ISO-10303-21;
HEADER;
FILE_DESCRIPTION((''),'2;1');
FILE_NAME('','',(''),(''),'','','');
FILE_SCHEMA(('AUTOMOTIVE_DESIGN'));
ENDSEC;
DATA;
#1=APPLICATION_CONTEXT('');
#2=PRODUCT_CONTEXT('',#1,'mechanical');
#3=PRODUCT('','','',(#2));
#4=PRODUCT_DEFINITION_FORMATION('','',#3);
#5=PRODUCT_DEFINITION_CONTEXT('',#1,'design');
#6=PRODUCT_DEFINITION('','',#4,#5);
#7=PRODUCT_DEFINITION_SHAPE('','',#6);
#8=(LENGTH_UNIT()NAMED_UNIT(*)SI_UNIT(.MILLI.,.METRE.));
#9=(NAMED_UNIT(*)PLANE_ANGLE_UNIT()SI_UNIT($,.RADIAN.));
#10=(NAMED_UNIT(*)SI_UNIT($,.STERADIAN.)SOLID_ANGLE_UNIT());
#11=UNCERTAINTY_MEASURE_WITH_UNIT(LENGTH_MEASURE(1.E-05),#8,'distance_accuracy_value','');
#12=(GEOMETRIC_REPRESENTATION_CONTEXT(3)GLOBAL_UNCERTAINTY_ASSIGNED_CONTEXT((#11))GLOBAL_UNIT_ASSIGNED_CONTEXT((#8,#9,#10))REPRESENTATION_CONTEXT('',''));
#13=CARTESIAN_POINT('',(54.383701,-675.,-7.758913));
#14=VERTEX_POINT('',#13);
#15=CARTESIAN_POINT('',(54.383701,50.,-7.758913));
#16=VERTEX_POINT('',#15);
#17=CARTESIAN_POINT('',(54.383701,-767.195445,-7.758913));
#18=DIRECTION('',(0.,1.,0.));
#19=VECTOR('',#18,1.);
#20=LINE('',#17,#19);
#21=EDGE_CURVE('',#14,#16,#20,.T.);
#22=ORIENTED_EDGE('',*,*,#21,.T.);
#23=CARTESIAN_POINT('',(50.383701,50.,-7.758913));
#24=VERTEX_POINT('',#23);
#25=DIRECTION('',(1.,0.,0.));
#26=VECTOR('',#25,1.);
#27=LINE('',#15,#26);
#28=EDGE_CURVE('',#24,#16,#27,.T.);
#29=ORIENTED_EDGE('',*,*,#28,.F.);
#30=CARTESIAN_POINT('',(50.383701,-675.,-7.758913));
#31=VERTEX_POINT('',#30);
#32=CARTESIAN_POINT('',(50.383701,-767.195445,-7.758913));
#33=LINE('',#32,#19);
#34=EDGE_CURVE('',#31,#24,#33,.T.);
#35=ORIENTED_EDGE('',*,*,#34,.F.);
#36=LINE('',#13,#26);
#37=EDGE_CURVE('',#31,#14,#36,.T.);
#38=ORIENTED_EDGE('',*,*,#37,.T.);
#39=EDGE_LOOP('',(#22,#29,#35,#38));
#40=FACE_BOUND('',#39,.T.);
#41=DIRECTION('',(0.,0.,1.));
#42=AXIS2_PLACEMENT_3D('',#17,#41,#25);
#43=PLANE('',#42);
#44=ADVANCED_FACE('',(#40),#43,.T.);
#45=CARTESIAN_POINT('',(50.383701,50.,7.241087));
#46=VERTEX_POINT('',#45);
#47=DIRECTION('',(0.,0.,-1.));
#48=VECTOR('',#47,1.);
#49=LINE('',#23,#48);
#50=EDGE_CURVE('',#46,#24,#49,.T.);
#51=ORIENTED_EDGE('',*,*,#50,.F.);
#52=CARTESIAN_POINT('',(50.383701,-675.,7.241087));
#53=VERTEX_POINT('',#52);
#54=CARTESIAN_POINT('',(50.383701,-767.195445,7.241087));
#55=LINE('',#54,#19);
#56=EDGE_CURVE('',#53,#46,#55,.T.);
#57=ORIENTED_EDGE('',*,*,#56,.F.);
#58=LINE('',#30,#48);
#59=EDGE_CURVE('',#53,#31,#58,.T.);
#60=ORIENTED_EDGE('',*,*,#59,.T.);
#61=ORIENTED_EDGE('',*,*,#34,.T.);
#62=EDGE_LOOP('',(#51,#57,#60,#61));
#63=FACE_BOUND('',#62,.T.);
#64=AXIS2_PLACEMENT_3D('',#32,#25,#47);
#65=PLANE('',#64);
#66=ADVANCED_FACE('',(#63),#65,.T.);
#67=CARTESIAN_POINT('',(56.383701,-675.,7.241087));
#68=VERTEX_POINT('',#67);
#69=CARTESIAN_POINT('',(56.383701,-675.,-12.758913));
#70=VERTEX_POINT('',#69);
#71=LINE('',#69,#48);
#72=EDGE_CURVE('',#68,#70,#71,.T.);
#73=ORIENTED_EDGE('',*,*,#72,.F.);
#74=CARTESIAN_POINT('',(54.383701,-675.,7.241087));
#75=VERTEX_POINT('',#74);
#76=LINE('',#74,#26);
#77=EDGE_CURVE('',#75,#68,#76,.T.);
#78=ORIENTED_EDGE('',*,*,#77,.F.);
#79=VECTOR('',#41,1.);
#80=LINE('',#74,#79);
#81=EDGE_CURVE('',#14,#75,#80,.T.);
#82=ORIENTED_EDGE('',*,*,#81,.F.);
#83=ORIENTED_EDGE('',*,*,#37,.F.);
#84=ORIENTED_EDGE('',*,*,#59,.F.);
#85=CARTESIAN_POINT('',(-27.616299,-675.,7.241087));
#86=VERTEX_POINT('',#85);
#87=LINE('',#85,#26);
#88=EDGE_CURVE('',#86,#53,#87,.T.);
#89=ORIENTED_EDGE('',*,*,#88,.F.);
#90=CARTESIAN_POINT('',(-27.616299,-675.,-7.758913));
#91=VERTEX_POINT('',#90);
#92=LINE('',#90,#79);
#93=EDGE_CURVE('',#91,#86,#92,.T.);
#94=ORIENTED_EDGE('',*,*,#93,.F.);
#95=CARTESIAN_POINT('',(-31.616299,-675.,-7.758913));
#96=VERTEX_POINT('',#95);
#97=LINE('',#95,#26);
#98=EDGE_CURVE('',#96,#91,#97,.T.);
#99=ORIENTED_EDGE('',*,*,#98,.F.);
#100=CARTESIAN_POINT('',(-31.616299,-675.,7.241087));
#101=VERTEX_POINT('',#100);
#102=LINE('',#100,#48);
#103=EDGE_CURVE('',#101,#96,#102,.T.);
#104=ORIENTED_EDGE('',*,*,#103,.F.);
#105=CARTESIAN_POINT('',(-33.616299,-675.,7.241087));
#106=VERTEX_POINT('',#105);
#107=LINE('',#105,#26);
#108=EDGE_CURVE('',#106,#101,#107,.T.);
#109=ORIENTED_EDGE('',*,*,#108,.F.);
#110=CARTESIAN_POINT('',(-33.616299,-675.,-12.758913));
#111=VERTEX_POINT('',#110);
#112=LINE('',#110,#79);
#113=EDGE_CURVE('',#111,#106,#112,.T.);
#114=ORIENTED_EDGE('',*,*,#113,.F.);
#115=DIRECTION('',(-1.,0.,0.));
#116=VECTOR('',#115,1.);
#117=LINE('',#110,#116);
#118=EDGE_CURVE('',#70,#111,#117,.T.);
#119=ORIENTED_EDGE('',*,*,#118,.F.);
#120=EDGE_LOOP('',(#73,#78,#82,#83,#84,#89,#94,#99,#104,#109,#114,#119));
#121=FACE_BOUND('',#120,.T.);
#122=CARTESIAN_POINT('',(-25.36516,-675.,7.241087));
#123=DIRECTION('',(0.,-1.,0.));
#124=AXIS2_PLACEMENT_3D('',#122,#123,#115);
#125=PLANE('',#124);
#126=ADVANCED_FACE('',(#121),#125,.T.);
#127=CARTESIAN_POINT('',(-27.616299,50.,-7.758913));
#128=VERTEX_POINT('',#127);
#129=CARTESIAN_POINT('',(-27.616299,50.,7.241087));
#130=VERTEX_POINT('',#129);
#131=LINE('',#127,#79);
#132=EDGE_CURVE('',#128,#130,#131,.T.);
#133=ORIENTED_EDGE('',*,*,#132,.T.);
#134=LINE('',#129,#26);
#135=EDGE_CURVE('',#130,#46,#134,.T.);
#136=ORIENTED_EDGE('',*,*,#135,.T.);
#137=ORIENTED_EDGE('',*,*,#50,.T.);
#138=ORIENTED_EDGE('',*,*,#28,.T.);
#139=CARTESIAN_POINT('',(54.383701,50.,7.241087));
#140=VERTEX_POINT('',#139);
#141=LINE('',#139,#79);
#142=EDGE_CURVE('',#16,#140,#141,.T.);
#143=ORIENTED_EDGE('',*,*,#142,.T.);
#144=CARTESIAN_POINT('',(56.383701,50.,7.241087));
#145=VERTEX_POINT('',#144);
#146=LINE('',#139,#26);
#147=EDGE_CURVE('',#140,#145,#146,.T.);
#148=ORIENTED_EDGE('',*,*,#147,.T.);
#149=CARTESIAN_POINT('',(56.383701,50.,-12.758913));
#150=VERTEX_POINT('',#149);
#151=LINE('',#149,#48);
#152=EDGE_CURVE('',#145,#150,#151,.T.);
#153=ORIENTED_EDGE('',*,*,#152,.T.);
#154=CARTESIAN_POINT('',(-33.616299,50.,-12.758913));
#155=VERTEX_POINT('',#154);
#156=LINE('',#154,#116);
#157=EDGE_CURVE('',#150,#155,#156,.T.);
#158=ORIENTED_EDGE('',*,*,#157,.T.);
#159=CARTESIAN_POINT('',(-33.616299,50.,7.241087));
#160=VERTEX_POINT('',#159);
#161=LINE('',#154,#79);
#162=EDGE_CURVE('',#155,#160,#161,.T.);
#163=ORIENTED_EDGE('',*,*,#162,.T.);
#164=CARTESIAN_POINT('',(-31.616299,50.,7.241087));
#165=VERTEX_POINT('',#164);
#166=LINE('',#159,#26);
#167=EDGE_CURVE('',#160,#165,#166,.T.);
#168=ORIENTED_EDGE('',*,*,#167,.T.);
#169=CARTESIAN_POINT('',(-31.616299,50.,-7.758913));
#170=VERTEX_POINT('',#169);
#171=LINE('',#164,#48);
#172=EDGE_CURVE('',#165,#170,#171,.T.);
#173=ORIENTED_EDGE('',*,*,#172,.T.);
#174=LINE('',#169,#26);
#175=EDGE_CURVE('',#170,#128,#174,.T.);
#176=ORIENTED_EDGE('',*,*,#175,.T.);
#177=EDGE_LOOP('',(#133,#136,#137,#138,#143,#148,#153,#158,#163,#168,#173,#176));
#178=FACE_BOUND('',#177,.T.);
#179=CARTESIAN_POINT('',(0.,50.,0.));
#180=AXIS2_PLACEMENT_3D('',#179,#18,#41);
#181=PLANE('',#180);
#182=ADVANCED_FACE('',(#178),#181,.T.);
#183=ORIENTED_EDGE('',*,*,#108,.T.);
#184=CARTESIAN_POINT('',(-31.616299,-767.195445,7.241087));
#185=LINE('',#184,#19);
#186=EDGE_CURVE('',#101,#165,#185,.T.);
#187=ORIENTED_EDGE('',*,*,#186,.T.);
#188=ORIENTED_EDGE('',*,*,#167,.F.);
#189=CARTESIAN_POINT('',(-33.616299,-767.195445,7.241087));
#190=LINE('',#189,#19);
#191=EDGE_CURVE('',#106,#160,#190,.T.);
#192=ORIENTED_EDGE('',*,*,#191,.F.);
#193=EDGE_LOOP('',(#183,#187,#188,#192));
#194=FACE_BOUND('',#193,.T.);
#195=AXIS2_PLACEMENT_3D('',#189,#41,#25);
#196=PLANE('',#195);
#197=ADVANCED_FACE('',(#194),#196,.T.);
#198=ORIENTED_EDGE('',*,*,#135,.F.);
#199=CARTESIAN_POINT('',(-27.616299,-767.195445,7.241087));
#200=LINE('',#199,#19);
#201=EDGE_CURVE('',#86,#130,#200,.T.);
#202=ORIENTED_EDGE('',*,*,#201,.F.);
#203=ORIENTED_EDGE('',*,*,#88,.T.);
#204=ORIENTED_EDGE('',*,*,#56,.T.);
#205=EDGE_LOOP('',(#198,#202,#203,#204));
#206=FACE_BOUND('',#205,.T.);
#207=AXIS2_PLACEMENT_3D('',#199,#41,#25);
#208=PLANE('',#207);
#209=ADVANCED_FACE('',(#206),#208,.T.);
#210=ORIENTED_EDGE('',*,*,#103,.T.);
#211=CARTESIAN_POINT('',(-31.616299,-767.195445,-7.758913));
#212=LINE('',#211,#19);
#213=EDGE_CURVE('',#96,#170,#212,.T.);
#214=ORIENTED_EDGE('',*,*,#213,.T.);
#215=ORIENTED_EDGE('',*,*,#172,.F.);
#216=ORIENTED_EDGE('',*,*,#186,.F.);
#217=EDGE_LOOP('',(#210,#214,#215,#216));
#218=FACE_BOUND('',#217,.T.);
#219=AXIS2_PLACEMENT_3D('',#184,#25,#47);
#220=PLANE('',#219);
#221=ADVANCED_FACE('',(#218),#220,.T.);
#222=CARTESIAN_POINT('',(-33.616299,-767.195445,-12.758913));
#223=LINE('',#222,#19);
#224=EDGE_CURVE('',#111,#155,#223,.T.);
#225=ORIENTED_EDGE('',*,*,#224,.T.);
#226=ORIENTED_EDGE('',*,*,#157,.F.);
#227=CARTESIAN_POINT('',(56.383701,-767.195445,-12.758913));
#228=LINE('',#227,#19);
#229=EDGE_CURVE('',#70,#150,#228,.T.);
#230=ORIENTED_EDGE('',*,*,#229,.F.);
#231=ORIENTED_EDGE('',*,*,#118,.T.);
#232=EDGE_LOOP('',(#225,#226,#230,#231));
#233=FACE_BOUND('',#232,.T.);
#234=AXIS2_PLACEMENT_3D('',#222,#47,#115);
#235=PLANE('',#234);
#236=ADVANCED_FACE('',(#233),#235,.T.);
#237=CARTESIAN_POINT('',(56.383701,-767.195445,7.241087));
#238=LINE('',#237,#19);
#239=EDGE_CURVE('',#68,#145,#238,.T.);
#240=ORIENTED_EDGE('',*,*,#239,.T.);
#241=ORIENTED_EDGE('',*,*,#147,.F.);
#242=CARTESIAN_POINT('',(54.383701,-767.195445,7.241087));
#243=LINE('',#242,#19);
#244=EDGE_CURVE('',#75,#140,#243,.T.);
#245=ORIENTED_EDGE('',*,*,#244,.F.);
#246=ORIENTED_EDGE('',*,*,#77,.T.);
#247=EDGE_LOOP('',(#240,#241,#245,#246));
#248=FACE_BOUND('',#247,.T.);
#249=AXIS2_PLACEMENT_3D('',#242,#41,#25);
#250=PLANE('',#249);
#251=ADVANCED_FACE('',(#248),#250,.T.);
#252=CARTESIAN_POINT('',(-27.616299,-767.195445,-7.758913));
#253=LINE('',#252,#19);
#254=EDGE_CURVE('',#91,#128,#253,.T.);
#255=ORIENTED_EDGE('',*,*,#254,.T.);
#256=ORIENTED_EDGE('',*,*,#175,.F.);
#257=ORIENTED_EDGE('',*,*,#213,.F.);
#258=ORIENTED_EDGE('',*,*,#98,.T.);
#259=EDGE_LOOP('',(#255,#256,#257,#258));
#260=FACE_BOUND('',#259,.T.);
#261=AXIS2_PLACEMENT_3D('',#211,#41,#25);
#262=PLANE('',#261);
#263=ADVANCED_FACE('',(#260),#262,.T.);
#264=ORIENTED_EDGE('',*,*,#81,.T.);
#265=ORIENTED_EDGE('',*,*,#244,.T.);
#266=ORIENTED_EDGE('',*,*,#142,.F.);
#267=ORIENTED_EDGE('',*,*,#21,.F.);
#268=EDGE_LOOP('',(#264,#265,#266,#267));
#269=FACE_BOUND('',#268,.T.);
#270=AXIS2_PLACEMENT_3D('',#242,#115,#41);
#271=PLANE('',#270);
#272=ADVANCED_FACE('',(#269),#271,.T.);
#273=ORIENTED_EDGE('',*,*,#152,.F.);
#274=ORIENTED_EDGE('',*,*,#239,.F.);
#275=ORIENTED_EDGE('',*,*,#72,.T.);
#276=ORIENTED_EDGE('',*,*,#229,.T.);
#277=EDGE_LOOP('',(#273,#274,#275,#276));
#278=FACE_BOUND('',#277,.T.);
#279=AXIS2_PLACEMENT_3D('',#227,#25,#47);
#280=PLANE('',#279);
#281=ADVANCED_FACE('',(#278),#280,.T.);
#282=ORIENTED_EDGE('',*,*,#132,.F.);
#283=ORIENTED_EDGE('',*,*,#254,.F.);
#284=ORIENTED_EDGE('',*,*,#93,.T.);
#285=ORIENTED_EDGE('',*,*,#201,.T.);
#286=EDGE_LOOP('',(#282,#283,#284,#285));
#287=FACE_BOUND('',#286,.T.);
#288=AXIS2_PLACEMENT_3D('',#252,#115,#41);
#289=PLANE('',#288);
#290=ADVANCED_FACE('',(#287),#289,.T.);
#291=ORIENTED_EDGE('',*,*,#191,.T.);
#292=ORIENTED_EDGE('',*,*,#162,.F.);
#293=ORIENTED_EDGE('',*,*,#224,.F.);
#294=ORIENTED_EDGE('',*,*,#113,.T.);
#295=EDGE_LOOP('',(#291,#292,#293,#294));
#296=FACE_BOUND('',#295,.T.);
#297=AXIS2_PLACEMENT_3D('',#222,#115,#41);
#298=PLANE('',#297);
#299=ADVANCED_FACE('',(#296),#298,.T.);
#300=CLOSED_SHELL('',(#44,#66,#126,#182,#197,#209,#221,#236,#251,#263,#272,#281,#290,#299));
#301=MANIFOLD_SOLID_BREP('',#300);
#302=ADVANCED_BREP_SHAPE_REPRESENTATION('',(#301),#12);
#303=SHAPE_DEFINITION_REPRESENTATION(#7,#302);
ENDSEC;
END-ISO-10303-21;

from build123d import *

# Parameters (mm, degrees)
EXTRUDE_1_DEPTH      = 50
EXTRUDE_1_DEPTH_BACK = 675


with BuildPart() as part:
    # Эскиз1 → Бобышка-Вытянуть1 (new, two sides: drawn at the far end of the back side and taken through both)
    with BuildSketch(Plane(origin=(0, 0, 0), x_dir=(1, 0, 0), z_dir=(0, 1, 0)).offset(-EXTRUDE_1_DEPTH_BACK)):
        Polygon((-31.616298812, -7.241086587), (-31.616298812, 7.758913413), (-27.616298812, 7.758913413), (-27.616298812, -7.241086587), (50.383701188, -7.241086587), (50.383701188, 7.758913413), (54.383701188, 7.758913413), (54.383701188, -7.241086587), (56.383701188, -7.241086587), (56.383701188, 12.758913413), (-33.616298812, 12.758913413), (-33.616298812, -7.241086587), align=None)
    extrude(amount=EXTRUDE_1_DEPTH + EXTRUDE_1_DEPTH_BACK)


solid = part.part
